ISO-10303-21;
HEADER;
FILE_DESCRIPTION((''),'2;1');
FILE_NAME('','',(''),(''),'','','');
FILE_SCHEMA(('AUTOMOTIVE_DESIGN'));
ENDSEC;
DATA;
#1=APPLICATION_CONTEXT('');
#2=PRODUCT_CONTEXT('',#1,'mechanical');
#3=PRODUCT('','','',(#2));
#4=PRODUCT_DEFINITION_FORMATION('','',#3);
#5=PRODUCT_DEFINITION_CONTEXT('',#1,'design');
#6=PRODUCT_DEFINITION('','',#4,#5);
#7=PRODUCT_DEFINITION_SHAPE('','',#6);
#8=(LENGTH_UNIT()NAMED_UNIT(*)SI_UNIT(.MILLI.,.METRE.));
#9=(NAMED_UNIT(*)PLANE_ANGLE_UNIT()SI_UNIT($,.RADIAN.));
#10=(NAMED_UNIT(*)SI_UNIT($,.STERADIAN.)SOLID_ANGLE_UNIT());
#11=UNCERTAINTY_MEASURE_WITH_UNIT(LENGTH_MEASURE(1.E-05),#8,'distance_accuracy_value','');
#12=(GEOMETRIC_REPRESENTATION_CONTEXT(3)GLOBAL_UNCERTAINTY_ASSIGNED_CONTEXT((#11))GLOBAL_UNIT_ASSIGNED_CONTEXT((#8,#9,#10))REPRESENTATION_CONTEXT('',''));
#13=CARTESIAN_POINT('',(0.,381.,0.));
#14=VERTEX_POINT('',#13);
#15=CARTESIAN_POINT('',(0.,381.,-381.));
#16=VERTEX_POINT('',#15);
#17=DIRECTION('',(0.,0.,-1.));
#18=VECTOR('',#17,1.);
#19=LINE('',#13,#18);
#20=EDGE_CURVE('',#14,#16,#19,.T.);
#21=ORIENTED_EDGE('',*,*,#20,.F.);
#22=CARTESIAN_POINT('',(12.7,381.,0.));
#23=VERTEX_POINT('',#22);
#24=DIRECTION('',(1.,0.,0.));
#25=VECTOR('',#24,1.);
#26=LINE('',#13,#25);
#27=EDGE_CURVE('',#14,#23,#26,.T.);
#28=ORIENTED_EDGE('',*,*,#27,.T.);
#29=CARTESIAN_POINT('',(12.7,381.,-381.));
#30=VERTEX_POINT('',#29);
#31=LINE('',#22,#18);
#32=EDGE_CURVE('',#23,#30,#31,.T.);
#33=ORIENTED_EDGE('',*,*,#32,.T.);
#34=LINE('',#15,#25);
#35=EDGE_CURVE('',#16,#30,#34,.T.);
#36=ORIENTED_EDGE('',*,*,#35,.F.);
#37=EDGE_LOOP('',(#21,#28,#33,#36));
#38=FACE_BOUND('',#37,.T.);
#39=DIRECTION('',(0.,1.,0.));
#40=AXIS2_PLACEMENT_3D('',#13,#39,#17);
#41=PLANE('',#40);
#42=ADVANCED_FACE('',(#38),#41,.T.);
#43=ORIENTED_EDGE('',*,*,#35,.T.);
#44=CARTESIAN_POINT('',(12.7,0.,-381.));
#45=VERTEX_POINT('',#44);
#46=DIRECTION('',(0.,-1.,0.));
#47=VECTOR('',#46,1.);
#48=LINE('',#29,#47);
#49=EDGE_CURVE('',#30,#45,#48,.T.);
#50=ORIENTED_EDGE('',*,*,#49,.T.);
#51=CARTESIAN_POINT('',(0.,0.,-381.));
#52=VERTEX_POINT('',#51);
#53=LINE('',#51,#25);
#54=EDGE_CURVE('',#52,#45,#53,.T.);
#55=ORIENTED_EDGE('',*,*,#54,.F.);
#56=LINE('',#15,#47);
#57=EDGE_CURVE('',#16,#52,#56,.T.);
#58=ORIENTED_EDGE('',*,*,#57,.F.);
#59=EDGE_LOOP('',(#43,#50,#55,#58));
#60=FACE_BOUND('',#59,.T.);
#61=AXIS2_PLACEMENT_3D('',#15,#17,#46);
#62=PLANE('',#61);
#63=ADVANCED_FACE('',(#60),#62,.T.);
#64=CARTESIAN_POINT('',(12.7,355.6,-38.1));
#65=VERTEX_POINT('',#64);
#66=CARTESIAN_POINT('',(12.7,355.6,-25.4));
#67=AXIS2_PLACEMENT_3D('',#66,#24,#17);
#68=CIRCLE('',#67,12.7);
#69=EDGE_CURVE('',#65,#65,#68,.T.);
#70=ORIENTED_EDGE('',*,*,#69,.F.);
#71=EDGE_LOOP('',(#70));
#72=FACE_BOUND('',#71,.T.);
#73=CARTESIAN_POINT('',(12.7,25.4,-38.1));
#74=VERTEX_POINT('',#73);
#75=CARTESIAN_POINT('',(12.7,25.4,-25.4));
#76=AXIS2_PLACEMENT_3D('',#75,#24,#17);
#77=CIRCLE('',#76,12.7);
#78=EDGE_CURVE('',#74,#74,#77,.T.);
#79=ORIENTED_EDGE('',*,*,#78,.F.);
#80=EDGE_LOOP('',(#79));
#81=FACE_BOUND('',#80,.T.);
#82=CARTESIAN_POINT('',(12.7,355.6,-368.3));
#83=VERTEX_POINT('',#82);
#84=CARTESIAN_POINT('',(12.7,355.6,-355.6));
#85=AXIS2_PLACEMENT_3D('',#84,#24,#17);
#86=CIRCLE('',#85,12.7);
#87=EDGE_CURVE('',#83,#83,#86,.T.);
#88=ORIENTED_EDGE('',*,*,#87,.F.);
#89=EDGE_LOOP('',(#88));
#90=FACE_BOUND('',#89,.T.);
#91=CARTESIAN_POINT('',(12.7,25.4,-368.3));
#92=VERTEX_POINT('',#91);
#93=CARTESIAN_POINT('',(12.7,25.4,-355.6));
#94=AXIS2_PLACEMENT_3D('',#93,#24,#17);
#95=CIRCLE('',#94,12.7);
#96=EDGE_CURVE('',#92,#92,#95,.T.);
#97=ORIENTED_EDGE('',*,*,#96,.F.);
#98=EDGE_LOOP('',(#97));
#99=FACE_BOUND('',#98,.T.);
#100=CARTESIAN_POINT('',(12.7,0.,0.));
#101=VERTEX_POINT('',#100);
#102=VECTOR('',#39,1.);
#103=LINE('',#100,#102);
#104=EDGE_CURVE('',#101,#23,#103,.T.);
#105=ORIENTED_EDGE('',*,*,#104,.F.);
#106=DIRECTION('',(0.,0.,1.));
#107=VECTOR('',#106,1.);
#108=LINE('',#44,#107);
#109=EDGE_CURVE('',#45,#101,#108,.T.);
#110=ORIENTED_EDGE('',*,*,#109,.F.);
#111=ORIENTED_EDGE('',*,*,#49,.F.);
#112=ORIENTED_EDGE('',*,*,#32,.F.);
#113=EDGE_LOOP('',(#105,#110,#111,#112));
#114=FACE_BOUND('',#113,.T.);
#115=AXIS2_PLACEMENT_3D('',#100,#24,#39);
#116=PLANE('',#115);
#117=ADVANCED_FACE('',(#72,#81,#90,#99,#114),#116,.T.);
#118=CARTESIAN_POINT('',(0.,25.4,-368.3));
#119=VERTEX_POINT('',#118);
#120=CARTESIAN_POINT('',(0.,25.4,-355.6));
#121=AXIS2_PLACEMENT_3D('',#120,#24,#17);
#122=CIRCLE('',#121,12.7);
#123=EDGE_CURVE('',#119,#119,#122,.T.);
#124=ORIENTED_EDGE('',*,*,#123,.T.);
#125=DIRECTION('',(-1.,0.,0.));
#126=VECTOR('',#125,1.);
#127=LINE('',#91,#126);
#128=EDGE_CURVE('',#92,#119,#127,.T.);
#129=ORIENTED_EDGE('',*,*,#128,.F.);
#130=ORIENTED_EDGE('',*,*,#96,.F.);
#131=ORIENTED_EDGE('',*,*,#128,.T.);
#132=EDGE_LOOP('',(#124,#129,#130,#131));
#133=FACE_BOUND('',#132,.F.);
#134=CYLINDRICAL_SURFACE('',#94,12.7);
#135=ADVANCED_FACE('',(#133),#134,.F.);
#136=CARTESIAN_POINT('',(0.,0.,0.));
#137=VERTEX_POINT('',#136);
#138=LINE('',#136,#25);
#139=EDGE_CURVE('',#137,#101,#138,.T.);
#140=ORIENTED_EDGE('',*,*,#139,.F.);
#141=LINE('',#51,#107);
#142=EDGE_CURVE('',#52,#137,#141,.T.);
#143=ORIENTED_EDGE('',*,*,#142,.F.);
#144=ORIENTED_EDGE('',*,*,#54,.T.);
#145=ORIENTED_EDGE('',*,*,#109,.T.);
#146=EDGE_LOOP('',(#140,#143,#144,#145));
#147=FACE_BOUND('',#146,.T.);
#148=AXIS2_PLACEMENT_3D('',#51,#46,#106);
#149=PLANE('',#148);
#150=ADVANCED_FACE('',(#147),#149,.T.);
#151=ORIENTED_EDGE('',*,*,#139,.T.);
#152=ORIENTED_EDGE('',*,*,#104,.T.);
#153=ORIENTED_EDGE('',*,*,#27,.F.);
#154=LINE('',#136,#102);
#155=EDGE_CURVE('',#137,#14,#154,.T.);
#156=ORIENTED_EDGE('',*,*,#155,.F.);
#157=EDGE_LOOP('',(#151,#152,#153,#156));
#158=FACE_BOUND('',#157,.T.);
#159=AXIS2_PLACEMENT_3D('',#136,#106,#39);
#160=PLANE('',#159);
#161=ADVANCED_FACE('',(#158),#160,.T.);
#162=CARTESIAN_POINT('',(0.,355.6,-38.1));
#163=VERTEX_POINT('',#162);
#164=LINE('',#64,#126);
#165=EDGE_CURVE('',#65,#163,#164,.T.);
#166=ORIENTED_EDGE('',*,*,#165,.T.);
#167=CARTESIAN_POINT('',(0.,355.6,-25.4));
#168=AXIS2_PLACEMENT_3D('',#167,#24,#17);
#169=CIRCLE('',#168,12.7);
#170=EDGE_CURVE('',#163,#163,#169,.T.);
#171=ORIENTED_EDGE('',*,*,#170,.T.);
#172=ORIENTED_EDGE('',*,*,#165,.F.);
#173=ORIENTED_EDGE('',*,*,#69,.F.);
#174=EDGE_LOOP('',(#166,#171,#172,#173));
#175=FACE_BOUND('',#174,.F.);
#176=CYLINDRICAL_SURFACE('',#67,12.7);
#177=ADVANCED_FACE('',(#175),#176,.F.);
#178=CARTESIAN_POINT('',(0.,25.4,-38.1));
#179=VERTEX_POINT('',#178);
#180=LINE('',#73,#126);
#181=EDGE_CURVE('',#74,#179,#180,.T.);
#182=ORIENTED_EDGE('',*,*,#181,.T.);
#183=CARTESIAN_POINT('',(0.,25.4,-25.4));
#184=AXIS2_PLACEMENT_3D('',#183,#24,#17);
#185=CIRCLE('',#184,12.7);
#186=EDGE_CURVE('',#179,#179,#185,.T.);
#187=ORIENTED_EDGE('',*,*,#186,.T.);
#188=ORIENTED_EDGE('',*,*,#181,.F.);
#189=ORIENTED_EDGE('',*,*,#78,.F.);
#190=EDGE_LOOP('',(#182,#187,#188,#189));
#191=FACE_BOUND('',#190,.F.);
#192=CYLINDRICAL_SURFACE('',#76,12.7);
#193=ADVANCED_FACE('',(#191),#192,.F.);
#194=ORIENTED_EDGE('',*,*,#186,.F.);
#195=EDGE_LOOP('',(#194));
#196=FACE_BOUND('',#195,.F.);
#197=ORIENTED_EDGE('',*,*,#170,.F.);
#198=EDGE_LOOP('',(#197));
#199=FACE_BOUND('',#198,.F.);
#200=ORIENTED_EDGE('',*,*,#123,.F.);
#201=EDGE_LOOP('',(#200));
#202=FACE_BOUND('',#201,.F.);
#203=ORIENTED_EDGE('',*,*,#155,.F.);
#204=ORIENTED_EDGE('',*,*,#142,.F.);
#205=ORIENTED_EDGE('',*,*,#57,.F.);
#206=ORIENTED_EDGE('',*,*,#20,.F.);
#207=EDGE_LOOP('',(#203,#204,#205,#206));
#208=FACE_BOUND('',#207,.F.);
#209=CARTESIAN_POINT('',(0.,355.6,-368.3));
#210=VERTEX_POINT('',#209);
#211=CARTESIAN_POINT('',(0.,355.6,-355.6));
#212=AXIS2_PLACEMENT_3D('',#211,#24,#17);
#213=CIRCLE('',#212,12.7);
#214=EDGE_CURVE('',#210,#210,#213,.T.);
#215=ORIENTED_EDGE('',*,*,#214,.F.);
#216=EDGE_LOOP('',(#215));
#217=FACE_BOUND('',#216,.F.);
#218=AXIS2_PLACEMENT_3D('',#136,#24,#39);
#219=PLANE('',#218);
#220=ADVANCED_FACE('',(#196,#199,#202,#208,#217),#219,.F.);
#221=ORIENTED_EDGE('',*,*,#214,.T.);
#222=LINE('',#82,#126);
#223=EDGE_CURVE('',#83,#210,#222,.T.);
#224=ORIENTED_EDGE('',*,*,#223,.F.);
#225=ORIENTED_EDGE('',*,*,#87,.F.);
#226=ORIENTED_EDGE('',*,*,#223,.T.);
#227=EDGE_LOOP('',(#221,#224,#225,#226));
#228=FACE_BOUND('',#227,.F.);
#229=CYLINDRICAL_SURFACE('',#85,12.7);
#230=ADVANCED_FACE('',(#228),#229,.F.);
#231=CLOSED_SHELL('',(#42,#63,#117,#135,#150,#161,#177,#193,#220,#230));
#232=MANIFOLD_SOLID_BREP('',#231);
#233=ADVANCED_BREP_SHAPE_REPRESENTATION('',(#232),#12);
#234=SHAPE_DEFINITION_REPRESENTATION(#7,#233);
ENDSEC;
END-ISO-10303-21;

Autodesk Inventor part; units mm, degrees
ref_plane "YZ Plane" through (0, 0, 0) normal (1, 0, 0) x (0, 1, 0)
ref_plane "XZ Plane" through (0, 0, 0) normal (0, 1, 0) x (-1, 0, 0)
ref_plane "XY Plane" through (0, 0, 0) normal (0, 0, 1) x (1, 0, 0)
sketch "Sketch1" plane through (0, 0, 0) normal (1, 0, 0) x (0, 1, 0)
  line L0 (0, 0) -> (381, 0)
  line L1 (381, 0) -> (381, -381)
  line L2 (381, -381) -> (0, -381)
  line L3 (0, -381) -> (0, 0)
extrude "Extrusion1" add sketch "Sketch1" along normal blind 12.7
sketch "Sketch2" plane through (12.7, 0, 0) normal (1, 0, 0) x (0, 0, -1)
  circle A0 centre (25.4, 25.4) radius 12.7
  line L0 (0, 0) -> (381, 0) projected
  line L1 (0, 381) -> (0, 0) projected
extrude "Extrusion2" cut sketch "Sketch2" against normal blind 12.7
sketch "Sketch3" plane through (12.7, 0, 0) normal (1, 0, 0) x (0, 0, -1)
  circle A0 centre (355.6, 25.4) radius 12.7
  line L0 (0, 0) -> (381, 0) projected
  line L1 (381, 0) -> (381, 381) projected
extrude "Extrusion3" cut sketch "Sketch3" against normal blind 12.7
sketch "Sketch4" plane through (12.7, 0, 0) normal (1, 0, 0) x (0, 0, -1)
  circle A0 centre (25.4, 355.6) radius 12.7
  line L0 (381, 381) -> (0, 381) projected
  line L1 (0, 381) -> (0, 0) projected
extrude "Extrusion4" cut sketch "Sketch4" against normal blind 12.7
sketch "Sketch5" plane through (12.7, 0, 0) normal (1, 0, 0) x (0, 0, -1)
  circle A0 centre (355.6, 355.6) radius 12.7
  line L0 (381, 0) -> (381, 381) projected
  line L1 (381, 381) -> (0, 381) projected
  point P0 (0, 0)
extrude "Extrusion5" cut sketch "Sketch5" against normal blind 12.7
properties part number "left side"
